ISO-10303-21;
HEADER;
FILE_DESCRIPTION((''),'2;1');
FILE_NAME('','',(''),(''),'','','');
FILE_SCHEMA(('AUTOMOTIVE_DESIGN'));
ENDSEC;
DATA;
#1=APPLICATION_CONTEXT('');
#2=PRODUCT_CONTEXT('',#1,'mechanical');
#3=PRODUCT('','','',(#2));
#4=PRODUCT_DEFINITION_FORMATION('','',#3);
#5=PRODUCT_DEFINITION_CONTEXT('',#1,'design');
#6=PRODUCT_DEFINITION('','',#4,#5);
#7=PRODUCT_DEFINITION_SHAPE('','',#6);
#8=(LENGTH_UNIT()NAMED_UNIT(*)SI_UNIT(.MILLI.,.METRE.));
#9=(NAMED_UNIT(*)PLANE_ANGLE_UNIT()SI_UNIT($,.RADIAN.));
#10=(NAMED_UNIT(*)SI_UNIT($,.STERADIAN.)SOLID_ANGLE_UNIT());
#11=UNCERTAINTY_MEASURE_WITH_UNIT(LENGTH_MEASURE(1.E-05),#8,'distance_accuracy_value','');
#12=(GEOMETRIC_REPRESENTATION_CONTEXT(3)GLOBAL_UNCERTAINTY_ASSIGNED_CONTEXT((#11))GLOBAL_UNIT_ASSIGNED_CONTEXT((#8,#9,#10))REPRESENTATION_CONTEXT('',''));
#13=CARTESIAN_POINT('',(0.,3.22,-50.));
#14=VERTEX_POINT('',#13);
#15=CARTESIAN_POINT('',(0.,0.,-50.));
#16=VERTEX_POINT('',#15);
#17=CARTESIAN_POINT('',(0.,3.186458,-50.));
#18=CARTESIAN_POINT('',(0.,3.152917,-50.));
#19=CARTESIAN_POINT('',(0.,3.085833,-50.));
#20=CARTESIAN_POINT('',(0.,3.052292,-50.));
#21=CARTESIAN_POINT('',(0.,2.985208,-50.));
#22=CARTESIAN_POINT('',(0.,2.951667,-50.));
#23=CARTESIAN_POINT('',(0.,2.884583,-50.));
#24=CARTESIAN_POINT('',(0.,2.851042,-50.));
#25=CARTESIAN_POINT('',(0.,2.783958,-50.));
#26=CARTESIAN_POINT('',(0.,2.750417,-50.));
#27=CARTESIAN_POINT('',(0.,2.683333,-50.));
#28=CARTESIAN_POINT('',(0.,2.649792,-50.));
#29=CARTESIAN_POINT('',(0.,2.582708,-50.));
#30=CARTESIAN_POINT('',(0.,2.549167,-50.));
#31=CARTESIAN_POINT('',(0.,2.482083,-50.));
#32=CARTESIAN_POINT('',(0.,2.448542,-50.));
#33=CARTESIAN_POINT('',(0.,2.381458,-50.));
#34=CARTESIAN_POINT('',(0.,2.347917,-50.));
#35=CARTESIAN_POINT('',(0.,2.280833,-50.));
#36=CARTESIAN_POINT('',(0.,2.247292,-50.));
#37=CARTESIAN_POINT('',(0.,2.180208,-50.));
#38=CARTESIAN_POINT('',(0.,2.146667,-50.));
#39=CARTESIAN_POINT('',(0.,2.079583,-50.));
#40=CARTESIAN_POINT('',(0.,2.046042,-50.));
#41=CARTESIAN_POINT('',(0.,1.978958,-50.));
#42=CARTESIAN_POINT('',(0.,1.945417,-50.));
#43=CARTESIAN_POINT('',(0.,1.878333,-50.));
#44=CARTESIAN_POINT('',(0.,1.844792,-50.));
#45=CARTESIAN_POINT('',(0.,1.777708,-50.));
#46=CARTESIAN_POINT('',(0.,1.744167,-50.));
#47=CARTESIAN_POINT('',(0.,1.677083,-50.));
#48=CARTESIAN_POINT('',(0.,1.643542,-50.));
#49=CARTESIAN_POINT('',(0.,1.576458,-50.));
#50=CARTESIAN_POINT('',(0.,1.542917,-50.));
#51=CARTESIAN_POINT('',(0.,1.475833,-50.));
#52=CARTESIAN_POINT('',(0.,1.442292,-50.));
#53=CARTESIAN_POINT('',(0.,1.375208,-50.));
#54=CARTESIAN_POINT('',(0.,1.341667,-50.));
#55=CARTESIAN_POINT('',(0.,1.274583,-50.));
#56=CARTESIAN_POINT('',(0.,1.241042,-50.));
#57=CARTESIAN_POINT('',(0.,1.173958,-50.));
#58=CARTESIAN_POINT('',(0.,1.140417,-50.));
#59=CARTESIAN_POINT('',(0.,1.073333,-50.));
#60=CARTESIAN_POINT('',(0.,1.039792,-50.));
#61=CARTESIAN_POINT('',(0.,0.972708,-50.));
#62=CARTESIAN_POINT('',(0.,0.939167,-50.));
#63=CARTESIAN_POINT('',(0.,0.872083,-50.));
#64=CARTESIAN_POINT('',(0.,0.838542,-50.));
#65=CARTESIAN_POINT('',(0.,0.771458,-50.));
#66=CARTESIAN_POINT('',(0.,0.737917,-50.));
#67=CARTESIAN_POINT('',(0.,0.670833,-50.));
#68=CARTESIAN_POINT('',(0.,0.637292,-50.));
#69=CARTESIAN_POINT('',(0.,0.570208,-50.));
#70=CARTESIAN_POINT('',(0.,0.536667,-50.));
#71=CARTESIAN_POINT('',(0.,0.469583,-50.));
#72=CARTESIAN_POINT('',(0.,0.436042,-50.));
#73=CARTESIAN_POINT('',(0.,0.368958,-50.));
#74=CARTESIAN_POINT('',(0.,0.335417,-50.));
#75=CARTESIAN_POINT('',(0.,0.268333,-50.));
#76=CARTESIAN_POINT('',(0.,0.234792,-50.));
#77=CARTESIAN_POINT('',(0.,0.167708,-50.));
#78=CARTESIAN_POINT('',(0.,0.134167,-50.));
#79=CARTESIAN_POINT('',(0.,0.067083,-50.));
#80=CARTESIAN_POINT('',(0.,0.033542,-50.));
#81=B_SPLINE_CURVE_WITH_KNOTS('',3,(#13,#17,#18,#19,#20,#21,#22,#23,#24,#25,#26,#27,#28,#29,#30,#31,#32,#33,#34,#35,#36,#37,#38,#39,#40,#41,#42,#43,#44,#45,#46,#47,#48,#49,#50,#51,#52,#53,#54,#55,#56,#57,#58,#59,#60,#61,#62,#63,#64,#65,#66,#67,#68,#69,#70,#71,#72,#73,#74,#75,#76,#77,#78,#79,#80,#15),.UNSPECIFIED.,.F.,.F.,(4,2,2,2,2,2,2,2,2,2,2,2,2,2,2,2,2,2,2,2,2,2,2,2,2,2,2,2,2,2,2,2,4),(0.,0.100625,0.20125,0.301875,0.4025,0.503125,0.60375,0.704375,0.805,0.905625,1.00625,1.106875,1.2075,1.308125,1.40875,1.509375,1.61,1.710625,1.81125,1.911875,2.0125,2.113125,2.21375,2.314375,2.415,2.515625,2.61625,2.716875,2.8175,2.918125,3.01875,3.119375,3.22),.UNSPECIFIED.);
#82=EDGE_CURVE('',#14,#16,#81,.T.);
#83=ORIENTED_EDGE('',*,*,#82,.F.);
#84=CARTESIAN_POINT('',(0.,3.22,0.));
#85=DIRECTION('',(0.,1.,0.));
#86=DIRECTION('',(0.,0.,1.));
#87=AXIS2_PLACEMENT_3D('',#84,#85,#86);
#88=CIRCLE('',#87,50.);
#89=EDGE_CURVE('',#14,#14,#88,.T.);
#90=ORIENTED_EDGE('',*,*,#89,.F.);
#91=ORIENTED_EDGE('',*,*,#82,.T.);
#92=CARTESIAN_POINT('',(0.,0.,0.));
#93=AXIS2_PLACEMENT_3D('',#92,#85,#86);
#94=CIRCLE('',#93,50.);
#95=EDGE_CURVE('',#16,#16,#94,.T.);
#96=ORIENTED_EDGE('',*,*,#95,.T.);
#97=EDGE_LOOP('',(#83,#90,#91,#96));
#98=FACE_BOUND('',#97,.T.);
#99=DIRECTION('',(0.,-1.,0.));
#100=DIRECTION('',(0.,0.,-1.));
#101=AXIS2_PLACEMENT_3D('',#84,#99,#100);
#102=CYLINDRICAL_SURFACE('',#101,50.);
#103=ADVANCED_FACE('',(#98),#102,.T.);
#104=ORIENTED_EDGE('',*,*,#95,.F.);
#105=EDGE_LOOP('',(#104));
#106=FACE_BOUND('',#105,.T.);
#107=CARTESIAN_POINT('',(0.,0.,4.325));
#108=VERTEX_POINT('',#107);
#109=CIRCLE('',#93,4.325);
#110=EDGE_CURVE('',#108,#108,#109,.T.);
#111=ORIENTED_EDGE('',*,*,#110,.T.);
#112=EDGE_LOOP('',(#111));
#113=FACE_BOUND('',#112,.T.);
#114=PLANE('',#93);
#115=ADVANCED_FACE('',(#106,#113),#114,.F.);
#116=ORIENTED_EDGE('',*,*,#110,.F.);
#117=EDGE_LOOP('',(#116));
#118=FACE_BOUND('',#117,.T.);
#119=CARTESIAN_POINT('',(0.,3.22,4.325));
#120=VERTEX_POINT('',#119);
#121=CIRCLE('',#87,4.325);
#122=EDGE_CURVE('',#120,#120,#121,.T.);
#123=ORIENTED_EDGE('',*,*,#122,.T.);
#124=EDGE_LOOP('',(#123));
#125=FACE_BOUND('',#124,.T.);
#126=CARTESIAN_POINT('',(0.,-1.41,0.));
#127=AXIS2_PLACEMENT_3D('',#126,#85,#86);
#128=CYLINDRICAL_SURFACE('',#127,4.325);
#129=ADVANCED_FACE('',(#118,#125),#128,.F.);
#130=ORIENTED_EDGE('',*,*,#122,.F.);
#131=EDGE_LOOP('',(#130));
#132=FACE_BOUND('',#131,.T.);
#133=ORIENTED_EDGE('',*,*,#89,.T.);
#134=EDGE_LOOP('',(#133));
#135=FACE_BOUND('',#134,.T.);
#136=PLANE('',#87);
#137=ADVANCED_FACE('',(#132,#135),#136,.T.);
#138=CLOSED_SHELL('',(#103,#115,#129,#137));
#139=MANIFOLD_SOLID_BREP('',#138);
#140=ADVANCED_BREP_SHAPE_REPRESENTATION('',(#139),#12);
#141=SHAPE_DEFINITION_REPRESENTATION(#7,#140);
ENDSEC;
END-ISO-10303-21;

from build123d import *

# Parameters (mm, degrees)
SKETCH1_R           = 50
BOSS_EXTRUDE1_DEPTH = 3.22
SKETCH2_R           = 4.325
CUT_EXTRUDE1_DEPTH  = 4.63


with BuildPart() as part:
    # Sketch1 → Boss-Extrude1 (new body)
    with BuildSketch(Plane(origin=(0, 0, 0), x_dir=(1, 0, 0), z_dir=(0, 1, 0))):
        with Locations(Location((0, 0, 0), (0, 0, 90))):
            Circle(SKETCH1_R)
    extrude(amount=BOSS_EXTRUDE1_DEPTH)

    # Sketch2 → Cut-Extrude1 (cut)
    with BuildSketch(Plane(origin=(0, 3.22, 0), x_dir=(1, 0, 0), z_dir=(0, 1, 0))):
        with Locations(Location((0, 0, 0), (0, 0, 270))):
            Circle(SKETCH2_R)
    extrude(amount=-CUT_EXTRUDE1_DEPTH, mode=Mode.SUBTRACT)


solid = part.part
